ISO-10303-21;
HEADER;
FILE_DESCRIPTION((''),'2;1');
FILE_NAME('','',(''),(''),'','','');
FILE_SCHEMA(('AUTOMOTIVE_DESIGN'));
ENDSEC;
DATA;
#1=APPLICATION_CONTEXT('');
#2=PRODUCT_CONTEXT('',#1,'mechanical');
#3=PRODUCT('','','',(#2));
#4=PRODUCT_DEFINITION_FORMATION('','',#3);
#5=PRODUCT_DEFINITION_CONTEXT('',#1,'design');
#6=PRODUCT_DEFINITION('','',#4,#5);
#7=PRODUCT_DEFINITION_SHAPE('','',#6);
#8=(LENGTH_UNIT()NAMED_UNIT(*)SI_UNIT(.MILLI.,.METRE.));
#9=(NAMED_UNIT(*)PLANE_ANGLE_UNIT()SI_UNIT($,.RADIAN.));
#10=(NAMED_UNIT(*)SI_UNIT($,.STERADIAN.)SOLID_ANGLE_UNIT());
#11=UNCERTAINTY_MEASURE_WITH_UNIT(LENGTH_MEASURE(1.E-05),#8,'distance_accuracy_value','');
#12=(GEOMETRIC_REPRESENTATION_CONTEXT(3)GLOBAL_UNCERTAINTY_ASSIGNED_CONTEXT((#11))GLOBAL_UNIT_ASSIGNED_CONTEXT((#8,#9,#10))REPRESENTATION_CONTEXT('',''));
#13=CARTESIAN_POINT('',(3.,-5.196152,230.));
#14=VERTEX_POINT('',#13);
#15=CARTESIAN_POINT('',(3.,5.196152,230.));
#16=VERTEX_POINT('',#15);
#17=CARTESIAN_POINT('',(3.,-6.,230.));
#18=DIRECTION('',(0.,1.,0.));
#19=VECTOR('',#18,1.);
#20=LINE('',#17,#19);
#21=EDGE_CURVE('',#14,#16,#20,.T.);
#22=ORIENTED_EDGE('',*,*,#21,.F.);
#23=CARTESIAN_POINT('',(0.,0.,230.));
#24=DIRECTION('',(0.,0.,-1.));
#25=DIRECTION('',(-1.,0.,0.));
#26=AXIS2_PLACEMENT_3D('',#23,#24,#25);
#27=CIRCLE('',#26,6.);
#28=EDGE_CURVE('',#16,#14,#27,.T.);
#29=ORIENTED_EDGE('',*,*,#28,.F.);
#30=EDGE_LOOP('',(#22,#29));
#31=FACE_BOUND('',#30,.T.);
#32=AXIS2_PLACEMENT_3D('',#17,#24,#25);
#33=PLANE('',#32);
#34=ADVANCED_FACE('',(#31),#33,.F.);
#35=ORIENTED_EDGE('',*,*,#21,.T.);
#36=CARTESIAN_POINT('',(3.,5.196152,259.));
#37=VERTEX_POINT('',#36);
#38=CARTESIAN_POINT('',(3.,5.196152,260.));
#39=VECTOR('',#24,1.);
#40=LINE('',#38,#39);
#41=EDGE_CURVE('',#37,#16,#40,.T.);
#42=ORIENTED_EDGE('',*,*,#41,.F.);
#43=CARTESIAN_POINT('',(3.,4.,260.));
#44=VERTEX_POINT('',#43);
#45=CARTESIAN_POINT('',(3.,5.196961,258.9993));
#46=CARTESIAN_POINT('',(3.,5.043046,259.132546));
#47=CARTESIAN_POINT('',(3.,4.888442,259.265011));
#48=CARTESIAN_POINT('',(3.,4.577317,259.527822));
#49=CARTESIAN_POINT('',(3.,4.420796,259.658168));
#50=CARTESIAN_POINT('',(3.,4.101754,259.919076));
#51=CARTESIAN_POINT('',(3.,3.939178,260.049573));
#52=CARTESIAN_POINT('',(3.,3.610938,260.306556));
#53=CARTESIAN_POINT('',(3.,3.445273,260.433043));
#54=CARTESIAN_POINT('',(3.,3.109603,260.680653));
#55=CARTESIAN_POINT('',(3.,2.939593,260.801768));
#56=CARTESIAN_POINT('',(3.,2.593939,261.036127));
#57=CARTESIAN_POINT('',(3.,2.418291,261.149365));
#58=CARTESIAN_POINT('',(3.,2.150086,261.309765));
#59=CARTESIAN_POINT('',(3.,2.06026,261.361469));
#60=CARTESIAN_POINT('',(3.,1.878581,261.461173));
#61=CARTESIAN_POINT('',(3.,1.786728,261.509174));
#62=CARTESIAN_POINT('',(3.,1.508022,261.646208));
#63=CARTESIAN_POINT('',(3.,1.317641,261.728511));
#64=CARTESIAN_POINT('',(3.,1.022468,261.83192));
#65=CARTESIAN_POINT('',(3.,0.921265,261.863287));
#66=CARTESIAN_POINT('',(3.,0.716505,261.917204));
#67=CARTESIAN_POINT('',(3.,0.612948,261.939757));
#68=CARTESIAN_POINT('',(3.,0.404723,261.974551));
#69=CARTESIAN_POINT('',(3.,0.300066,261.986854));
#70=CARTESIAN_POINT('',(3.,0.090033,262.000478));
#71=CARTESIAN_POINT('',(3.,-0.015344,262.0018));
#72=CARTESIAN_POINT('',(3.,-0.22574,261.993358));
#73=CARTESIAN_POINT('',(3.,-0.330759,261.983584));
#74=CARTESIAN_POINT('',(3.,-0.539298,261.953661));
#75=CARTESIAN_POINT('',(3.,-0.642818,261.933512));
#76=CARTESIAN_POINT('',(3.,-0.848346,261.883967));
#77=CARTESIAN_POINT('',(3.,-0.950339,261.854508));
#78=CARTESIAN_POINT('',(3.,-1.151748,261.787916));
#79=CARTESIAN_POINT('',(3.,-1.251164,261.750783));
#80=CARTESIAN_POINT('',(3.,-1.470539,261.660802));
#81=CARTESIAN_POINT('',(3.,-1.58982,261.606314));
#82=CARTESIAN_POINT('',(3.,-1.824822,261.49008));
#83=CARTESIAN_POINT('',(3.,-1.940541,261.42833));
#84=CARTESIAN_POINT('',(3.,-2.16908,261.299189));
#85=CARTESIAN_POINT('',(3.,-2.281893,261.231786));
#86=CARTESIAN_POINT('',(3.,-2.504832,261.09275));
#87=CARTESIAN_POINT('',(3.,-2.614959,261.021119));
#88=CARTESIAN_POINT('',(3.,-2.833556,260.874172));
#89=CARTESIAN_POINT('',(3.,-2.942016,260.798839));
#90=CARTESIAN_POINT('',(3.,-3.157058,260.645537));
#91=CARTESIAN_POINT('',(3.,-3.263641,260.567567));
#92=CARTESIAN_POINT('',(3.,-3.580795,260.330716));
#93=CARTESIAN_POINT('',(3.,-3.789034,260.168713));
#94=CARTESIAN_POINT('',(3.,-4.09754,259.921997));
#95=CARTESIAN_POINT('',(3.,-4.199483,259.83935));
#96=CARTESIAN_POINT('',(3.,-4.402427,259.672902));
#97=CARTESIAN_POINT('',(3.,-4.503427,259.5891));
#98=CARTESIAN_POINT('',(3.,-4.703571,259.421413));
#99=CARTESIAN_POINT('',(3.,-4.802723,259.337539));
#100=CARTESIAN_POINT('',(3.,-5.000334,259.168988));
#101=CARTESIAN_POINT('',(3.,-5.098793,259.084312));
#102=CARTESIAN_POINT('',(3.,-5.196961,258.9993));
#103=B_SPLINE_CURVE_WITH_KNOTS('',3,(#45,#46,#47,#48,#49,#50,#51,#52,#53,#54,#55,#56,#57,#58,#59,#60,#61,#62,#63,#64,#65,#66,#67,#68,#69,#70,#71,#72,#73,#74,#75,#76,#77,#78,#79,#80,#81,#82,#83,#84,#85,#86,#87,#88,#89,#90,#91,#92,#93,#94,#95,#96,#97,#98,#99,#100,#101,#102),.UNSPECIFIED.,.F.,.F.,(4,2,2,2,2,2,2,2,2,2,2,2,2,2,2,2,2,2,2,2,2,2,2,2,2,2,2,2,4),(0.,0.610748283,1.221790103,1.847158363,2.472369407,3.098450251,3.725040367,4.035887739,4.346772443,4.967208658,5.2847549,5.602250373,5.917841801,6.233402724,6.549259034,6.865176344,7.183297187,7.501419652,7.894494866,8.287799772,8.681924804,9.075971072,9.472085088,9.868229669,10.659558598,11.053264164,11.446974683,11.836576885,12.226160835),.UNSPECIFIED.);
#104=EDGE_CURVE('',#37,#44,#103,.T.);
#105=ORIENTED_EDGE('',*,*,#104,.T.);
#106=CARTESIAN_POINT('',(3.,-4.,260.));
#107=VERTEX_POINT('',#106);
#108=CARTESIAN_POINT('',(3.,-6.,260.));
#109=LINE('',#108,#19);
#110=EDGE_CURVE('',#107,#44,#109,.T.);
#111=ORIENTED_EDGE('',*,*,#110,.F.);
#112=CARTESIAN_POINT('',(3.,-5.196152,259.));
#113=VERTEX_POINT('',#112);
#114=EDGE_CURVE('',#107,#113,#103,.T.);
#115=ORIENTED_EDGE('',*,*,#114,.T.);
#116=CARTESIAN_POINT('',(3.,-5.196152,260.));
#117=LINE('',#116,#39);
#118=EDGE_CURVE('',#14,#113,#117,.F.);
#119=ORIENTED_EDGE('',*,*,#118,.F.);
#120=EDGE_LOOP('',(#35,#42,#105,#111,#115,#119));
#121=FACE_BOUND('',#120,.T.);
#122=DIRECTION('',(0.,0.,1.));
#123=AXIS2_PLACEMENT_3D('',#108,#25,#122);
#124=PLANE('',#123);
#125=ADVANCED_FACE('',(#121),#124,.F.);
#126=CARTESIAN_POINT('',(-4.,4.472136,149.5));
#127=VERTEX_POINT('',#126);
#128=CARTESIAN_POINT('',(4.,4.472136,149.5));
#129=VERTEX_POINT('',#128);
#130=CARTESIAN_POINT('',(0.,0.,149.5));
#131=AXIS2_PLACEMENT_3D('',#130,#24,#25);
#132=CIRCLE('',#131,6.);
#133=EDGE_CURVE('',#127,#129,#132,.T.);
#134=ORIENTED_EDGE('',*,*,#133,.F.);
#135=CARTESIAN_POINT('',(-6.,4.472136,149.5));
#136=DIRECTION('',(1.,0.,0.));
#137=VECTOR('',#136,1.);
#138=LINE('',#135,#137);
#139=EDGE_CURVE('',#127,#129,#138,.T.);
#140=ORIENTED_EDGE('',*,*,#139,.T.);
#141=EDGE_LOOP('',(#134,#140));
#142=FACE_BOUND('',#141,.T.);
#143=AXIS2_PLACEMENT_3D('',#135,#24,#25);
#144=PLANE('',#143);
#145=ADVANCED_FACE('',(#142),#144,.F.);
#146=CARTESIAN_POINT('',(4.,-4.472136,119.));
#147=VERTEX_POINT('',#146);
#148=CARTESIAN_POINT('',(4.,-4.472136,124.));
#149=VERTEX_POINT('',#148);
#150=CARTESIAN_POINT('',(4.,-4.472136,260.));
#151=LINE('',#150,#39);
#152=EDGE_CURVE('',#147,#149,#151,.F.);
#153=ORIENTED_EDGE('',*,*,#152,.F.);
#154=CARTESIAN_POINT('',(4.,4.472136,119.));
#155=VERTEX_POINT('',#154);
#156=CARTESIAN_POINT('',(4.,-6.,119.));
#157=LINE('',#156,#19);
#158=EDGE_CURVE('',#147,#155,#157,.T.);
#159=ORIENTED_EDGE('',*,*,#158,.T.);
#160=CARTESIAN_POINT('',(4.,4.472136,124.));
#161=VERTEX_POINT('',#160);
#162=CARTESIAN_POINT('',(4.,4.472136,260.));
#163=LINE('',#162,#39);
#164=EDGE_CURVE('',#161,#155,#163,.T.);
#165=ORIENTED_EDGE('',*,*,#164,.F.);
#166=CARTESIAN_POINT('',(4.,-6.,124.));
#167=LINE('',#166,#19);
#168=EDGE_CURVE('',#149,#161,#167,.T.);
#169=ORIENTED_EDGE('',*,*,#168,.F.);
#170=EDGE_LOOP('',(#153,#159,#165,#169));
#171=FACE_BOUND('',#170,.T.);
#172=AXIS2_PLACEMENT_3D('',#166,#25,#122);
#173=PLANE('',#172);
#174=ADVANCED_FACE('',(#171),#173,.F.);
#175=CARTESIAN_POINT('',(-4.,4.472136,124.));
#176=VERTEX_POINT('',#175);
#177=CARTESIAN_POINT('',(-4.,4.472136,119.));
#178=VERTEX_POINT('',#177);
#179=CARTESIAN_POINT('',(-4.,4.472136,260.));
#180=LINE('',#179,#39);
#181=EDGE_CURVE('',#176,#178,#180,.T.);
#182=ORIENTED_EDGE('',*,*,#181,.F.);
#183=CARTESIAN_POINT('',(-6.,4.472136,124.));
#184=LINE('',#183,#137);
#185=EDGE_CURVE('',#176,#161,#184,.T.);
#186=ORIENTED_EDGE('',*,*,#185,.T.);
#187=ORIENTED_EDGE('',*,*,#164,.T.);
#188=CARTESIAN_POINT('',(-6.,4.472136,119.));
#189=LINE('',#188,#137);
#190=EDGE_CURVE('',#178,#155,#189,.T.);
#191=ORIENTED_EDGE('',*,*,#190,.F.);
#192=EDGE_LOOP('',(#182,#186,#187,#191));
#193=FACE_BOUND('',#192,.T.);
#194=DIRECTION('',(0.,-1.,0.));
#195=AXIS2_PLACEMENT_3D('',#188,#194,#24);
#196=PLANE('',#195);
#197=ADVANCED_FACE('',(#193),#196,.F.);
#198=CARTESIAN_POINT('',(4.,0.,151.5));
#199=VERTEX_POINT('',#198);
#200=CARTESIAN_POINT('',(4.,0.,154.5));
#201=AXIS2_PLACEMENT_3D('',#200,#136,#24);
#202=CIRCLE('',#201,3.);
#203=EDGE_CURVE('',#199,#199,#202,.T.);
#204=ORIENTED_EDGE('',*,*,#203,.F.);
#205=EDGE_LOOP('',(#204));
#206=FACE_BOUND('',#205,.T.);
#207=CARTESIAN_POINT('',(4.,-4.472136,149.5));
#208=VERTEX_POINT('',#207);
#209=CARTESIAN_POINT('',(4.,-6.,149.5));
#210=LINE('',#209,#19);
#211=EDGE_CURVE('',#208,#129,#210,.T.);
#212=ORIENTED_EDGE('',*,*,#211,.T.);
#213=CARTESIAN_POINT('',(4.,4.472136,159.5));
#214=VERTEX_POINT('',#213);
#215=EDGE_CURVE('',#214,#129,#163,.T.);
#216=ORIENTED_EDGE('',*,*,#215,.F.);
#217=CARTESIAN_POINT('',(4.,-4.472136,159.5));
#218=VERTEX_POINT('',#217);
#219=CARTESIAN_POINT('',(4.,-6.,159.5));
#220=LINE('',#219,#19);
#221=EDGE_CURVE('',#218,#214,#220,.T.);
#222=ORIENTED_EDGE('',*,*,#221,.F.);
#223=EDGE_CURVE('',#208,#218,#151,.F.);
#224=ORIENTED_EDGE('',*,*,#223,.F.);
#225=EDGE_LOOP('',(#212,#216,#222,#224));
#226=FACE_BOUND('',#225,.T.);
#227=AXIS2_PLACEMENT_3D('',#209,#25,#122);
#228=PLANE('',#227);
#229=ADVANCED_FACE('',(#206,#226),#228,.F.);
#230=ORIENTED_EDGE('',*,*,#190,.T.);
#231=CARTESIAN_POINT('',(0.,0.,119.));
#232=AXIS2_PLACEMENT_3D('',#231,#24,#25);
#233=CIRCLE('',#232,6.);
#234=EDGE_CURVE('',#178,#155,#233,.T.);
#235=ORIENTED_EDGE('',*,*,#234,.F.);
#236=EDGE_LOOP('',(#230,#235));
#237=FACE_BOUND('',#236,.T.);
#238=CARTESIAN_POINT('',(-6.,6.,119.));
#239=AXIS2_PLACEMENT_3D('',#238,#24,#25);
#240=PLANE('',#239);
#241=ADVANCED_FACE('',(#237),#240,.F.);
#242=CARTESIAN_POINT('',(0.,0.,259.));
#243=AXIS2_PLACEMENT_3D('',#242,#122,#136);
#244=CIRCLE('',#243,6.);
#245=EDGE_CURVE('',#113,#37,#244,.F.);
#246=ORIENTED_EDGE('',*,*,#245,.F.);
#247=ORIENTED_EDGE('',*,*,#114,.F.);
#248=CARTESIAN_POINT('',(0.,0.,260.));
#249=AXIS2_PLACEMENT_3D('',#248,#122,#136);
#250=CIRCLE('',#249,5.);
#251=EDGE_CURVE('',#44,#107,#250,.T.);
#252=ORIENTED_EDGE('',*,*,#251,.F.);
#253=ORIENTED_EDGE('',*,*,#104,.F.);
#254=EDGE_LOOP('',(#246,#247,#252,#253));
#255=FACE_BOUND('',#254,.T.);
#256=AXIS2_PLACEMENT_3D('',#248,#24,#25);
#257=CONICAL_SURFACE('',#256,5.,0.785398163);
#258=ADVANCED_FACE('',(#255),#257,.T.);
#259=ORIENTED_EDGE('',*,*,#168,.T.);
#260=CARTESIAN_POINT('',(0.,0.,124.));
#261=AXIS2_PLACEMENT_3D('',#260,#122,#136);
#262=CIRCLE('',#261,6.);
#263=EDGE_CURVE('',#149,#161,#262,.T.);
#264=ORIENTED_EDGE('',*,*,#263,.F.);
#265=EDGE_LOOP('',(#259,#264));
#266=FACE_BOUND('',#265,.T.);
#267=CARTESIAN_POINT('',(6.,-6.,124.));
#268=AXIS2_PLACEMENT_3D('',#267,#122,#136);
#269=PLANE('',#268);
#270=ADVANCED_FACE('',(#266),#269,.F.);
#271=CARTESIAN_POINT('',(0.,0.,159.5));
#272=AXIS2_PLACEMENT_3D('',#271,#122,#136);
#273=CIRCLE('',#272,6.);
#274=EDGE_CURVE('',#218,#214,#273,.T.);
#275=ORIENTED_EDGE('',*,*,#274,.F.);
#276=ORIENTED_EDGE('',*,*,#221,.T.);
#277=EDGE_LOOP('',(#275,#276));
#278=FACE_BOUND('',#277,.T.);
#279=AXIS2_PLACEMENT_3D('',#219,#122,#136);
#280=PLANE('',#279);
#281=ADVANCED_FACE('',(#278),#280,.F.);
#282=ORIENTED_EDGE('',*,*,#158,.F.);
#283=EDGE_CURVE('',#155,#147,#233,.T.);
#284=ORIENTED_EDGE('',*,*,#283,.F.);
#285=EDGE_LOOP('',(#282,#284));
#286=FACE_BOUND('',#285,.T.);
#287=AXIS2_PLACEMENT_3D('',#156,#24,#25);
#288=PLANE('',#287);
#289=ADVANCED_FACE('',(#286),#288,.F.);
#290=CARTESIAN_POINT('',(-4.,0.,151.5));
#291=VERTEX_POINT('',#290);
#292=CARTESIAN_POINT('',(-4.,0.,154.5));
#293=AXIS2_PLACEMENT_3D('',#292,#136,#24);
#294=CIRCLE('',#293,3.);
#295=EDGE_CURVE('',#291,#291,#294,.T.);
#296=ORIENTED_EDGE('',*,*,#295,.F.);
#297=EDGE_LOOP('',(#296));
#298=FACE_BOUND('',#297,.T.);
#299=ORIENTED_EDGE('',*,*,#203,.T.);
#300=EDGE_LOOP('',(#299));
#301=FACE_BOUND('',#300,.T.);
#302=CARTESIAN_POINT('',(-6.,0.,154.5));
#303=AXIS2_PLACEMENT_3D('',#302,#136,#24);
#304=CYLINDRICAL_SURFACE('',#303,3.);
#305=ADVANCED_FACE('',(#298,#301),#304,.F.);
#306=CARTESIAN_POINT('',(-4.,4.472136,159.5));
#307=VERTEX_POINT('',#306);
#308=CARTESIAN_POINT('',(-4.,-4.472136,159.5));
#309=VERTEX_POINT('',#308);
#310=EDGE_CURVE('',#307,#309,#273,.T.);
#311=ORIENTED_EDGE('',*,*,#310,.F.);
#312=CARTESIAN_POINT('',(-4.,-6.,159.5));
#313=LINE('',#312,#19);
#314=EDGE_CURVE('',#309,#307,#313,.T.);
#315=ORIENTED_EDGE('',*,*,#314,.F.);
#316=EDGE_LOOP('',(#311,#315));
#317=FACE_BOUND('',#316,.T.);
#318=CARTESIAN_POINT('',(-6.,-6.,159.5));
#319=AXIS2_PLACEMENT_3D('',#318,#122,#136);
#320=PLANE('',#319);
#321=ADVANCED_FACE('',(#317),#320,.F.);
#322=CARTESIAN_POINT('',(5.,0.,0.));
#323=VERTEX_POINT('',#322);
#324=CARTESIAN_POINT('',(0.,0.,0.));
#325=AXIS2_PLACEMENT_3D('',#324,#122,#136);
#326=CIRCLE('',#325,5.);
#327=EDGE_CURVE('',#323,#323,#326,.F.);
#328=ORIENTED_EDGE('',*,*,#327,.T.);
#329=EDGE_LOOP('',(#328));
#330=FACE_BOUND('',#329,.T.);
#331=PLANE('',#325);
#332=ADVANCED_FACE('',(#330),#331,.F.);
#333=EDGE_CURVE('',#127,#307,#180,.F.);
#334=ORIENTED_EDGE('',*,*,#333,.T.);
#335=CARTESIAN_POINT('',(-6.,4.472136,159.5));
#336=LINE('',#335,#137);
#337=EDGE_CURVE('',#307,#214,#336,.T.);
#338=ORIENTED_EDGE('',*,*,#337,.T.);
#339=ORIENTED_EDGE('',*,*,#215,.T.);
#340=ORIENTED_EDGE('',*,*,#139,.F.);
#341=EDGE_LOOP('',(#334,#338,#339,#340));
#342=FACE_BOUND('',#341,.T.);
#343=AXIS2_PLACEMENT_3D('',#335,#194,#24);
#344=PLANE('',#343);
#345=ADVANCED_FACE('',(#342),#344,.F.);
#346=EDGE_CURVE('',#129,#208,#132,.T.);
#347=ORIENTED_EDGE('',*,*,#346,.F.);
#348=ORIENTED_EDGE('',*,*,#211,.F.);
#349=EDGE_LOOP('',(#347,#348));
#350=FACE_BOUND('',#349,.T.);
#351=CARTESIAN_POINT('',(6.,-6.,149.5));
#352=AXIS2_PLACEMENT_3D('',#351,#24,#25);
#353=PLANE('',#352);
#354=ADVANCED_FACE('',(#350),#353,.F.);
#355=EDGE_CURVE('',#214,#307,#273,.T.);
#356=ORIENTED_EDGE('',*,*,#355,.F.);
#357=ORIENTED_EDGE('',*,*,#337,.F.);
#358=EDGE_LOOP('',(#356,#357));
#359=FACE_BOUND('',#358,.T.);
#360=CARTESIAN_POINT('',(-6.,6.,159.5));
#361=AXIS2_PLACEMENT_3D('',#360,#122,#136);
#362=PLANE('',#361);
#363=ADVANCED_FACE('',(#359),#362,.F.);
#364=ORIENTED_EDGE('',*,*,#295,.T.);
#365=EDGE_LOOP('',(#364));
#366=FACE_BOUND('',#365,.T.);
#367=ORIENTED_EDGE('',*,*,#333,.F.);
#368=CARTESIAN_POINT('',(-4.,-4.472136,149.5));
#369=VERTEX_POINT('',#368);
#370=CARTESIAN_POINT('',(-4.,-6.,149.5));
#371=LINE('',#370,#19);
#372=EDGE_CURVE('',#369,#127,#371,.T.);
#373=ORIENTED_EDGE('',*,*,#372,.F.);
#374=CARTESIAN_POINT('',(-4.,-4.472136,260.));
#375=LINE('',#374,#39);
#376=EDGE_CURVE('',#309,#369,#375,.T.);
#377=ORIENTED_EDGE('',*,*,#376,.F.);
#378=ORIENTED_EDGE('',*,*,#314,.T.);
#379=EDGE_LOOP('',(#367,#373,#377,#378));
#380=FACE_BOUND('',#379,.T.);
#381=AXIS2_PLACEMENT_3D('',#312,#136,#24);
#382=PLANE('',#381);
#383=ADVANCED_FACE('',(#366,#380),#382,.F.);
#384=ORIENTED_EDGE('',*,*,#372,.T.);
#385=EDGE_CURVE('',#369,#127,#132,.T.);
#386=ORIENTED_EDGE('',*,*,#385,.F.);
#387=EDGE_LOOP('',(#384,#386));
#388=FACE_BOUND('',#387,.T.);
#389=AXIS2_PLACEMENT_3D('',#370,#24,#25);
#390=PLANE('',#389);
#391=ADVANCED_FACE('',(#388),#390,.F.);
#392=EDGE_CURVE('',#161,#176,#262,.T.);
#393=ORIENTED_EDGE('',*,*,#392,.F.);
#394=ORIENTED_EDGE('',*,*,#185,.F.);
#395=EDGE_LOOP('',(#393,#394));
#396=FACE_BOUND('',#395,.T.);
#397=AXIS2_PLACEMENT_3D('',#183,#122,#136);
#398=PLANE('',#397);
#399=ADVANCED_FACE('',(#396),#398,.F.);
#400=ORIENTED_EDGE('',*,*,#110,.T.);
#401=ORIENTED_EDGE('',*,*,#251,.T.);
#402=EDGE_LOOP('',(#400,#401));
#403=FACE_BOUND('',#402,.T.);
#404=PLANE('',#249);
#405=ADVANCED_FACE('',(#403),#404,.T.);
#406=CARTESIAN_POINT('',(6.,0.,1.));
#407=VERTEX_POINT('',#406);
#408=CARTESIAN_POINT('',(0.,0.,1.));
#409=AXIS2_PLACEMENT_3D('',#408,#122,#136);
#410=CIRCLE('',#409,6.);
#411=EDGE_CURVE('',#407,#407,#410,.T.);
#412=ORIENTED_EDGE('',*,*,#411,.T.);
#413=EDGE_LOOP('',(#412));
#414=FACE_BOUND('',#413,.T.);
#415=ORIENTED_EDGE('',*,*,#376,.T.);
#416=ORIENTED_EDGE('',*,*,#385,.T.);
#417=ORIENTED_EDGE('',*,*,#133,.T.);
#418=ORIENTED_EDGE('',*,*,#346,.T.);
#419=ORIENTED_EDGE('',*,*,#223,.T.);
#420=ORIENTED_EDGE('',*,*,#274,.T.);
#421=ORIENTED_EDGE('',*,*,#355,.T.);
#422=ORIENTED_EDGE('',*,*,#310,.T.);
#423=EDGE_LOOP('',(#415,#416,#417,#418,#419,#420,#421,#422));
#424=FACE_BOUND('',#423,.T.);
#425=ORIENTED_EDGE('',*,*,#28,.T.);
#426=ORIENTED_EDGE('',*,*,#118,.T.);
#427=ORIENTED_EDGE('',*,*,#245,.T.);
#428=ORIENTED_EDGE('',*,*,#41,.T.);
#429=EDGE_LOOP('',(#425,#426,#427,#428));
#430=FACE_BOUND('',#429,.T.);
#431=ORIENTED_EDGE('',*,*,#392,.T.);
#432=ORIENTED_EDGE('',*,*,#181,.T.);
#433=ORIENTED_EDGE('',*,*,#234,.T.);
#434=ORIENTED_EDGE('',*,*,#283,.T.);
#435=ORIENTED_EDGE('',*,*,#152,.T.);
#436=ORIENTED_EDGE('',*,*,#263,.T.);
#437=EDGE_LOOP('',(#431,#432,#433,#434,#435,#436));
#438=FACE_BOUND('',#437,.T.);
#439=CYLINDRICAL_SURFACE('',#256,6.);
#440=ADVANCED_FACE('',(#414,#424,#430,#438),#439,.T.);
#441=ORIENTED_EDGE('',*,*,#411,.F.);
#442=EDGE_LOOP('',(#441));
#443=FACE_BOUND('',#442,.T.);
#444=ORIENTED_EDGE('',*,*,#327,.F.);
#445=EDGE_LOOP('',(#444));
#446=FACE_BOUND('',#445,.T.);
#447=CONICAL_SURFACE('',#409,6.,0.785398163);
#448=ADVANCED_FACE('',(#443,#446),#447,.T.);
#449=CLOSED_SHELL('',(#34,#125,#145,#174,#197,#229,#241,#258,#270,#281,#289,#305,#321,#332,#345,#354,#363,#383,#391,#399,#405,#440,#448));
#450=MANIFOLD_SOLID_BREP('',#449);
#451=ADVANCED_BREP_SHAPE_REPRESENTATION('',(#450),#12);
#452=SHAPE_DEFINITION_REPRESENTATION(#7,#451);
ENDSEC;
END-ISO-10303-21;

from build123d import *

# Parameters (mm, degrees)
SKETCH1_R               = 6
BOSS_EXTRUDE1_DEPTH     = 260
CHAMFER1_SIZE           = 1
SKETCH3_W               = 3
SKETCH3_H               = 30
SKETCH3_W_2             = 2
SKETCH3_H_2             = 10
SKETCH3_H_3             = 5
CUT_EXTRUDE1_DEPTH      = 7
CUT_EXTRUDE1_DEPTH_BACK = 7
SKETCH4_R               = 3
CUT_EXTRUDE2_DEPTH      = 3
CUT_EXTRUDE2_DEPTH_BACK = 11
SKETCH5_W               = 10
SKETCH5_H               = 1.527864045
SKETCH5_W_2             = 5
CUT_EXTRUDE3_DEPTH      = 7
CUT_EXTRUDE3_DEPTH_BACK = 7


with BuildPart() as part:
    # Sketch1 → Boss-Extrude1 (new body)
    with BuildSketch(Plane.XY):
        Circle(SKETCH1_R)
    extrude(amount=BOSS_EXTRUDE1_DEPTH)

    # Chamfer1
    chamfer1_edges = [part.edges().sort_by_distance(p)[0] for p in [
        (-6, 0, 0),
        (-6, 0, 260),
    ]]
    chamfer(chamfer1_edges, length=CHAMFER1_SIZE)

    # Sketch3 → Cut-Extrude1 (cut, two sides)
    with BuildSketch(Plane(origin=(0, 0, 0), x_dir=(1, 0, 0), z_dir=(0, 1, 0))) as cut_extrude1_sk:
        with Locations((4.5, -245)):
            Rectangle(SKETCH3_W, SKETCH3_H)
        with Locations((5, -154.5)):
            Rectangle(SKETCH3_W_2, SKETCH3_H_2)
        with Locations((-5, -154.5)):
            Rectangle(SKETCH3_W_2, SKETCH3_H_2)
        with Locations((5, -121.5)):
            Rectangle(SKETCH3_W_2, SKETCH3_H_3)
    extrude(amount=CUT_EXTRUDE1_DEPTH, mode=Mode.SUBTRACT)
    extrude(cut_extrude1_sk.sketch, amount=-CUT_EXTRUDE1_DEPTH_BACK, mode=Mode.SUBTRACT)

    # Sketch4 → Cut-Extrude2 (cut, two sides)
    with BuildSketch(Plane(origin=(4, 0, 0), x_dir=(0, 0, -1), z_dir=(1, 0, 0))) as cut_extrude2_sk:
        with Locations((-154.5, 0)):
            Circle(SKETCH4_R)
    extrude(amount=CUT_EXTRUDE2_DEPTH, mode=Mode.SUBTRACT)
    extrude(cut_extrude2_sk.sketch, amount=-CUT_EXTRUDE2_DEPTH_BACK, mode=Mode.SUBTRACT)

    # Sketch5 → Cut-Extrude3 (cut, two sides)
    with BuildSketch(Plane(origin=(0, 0, 0), x_dir=(0, 0, -1), z_dir=(1, 0, 0))) as cut_extrude3_sk:
        with Locations((-154.5, 5.236067978)):
            Rectangle(SKETCH5_W, SKETCH5_H)
        with Locations((-121.5, 5.236067978)):
            Rectangle(SKETCH5_W_2, SKETCH5_H)
    extrude(amount=CUT_EXTRUDE3_DEPTH, mode=Mode.SUBTRACT)
    extrude(cut_extrude3_sk.sketch, amount=-CUT_EXTRUDE3_DEPTH_BACK, mode=Mode.SUBTRACT)


solid = part.part
